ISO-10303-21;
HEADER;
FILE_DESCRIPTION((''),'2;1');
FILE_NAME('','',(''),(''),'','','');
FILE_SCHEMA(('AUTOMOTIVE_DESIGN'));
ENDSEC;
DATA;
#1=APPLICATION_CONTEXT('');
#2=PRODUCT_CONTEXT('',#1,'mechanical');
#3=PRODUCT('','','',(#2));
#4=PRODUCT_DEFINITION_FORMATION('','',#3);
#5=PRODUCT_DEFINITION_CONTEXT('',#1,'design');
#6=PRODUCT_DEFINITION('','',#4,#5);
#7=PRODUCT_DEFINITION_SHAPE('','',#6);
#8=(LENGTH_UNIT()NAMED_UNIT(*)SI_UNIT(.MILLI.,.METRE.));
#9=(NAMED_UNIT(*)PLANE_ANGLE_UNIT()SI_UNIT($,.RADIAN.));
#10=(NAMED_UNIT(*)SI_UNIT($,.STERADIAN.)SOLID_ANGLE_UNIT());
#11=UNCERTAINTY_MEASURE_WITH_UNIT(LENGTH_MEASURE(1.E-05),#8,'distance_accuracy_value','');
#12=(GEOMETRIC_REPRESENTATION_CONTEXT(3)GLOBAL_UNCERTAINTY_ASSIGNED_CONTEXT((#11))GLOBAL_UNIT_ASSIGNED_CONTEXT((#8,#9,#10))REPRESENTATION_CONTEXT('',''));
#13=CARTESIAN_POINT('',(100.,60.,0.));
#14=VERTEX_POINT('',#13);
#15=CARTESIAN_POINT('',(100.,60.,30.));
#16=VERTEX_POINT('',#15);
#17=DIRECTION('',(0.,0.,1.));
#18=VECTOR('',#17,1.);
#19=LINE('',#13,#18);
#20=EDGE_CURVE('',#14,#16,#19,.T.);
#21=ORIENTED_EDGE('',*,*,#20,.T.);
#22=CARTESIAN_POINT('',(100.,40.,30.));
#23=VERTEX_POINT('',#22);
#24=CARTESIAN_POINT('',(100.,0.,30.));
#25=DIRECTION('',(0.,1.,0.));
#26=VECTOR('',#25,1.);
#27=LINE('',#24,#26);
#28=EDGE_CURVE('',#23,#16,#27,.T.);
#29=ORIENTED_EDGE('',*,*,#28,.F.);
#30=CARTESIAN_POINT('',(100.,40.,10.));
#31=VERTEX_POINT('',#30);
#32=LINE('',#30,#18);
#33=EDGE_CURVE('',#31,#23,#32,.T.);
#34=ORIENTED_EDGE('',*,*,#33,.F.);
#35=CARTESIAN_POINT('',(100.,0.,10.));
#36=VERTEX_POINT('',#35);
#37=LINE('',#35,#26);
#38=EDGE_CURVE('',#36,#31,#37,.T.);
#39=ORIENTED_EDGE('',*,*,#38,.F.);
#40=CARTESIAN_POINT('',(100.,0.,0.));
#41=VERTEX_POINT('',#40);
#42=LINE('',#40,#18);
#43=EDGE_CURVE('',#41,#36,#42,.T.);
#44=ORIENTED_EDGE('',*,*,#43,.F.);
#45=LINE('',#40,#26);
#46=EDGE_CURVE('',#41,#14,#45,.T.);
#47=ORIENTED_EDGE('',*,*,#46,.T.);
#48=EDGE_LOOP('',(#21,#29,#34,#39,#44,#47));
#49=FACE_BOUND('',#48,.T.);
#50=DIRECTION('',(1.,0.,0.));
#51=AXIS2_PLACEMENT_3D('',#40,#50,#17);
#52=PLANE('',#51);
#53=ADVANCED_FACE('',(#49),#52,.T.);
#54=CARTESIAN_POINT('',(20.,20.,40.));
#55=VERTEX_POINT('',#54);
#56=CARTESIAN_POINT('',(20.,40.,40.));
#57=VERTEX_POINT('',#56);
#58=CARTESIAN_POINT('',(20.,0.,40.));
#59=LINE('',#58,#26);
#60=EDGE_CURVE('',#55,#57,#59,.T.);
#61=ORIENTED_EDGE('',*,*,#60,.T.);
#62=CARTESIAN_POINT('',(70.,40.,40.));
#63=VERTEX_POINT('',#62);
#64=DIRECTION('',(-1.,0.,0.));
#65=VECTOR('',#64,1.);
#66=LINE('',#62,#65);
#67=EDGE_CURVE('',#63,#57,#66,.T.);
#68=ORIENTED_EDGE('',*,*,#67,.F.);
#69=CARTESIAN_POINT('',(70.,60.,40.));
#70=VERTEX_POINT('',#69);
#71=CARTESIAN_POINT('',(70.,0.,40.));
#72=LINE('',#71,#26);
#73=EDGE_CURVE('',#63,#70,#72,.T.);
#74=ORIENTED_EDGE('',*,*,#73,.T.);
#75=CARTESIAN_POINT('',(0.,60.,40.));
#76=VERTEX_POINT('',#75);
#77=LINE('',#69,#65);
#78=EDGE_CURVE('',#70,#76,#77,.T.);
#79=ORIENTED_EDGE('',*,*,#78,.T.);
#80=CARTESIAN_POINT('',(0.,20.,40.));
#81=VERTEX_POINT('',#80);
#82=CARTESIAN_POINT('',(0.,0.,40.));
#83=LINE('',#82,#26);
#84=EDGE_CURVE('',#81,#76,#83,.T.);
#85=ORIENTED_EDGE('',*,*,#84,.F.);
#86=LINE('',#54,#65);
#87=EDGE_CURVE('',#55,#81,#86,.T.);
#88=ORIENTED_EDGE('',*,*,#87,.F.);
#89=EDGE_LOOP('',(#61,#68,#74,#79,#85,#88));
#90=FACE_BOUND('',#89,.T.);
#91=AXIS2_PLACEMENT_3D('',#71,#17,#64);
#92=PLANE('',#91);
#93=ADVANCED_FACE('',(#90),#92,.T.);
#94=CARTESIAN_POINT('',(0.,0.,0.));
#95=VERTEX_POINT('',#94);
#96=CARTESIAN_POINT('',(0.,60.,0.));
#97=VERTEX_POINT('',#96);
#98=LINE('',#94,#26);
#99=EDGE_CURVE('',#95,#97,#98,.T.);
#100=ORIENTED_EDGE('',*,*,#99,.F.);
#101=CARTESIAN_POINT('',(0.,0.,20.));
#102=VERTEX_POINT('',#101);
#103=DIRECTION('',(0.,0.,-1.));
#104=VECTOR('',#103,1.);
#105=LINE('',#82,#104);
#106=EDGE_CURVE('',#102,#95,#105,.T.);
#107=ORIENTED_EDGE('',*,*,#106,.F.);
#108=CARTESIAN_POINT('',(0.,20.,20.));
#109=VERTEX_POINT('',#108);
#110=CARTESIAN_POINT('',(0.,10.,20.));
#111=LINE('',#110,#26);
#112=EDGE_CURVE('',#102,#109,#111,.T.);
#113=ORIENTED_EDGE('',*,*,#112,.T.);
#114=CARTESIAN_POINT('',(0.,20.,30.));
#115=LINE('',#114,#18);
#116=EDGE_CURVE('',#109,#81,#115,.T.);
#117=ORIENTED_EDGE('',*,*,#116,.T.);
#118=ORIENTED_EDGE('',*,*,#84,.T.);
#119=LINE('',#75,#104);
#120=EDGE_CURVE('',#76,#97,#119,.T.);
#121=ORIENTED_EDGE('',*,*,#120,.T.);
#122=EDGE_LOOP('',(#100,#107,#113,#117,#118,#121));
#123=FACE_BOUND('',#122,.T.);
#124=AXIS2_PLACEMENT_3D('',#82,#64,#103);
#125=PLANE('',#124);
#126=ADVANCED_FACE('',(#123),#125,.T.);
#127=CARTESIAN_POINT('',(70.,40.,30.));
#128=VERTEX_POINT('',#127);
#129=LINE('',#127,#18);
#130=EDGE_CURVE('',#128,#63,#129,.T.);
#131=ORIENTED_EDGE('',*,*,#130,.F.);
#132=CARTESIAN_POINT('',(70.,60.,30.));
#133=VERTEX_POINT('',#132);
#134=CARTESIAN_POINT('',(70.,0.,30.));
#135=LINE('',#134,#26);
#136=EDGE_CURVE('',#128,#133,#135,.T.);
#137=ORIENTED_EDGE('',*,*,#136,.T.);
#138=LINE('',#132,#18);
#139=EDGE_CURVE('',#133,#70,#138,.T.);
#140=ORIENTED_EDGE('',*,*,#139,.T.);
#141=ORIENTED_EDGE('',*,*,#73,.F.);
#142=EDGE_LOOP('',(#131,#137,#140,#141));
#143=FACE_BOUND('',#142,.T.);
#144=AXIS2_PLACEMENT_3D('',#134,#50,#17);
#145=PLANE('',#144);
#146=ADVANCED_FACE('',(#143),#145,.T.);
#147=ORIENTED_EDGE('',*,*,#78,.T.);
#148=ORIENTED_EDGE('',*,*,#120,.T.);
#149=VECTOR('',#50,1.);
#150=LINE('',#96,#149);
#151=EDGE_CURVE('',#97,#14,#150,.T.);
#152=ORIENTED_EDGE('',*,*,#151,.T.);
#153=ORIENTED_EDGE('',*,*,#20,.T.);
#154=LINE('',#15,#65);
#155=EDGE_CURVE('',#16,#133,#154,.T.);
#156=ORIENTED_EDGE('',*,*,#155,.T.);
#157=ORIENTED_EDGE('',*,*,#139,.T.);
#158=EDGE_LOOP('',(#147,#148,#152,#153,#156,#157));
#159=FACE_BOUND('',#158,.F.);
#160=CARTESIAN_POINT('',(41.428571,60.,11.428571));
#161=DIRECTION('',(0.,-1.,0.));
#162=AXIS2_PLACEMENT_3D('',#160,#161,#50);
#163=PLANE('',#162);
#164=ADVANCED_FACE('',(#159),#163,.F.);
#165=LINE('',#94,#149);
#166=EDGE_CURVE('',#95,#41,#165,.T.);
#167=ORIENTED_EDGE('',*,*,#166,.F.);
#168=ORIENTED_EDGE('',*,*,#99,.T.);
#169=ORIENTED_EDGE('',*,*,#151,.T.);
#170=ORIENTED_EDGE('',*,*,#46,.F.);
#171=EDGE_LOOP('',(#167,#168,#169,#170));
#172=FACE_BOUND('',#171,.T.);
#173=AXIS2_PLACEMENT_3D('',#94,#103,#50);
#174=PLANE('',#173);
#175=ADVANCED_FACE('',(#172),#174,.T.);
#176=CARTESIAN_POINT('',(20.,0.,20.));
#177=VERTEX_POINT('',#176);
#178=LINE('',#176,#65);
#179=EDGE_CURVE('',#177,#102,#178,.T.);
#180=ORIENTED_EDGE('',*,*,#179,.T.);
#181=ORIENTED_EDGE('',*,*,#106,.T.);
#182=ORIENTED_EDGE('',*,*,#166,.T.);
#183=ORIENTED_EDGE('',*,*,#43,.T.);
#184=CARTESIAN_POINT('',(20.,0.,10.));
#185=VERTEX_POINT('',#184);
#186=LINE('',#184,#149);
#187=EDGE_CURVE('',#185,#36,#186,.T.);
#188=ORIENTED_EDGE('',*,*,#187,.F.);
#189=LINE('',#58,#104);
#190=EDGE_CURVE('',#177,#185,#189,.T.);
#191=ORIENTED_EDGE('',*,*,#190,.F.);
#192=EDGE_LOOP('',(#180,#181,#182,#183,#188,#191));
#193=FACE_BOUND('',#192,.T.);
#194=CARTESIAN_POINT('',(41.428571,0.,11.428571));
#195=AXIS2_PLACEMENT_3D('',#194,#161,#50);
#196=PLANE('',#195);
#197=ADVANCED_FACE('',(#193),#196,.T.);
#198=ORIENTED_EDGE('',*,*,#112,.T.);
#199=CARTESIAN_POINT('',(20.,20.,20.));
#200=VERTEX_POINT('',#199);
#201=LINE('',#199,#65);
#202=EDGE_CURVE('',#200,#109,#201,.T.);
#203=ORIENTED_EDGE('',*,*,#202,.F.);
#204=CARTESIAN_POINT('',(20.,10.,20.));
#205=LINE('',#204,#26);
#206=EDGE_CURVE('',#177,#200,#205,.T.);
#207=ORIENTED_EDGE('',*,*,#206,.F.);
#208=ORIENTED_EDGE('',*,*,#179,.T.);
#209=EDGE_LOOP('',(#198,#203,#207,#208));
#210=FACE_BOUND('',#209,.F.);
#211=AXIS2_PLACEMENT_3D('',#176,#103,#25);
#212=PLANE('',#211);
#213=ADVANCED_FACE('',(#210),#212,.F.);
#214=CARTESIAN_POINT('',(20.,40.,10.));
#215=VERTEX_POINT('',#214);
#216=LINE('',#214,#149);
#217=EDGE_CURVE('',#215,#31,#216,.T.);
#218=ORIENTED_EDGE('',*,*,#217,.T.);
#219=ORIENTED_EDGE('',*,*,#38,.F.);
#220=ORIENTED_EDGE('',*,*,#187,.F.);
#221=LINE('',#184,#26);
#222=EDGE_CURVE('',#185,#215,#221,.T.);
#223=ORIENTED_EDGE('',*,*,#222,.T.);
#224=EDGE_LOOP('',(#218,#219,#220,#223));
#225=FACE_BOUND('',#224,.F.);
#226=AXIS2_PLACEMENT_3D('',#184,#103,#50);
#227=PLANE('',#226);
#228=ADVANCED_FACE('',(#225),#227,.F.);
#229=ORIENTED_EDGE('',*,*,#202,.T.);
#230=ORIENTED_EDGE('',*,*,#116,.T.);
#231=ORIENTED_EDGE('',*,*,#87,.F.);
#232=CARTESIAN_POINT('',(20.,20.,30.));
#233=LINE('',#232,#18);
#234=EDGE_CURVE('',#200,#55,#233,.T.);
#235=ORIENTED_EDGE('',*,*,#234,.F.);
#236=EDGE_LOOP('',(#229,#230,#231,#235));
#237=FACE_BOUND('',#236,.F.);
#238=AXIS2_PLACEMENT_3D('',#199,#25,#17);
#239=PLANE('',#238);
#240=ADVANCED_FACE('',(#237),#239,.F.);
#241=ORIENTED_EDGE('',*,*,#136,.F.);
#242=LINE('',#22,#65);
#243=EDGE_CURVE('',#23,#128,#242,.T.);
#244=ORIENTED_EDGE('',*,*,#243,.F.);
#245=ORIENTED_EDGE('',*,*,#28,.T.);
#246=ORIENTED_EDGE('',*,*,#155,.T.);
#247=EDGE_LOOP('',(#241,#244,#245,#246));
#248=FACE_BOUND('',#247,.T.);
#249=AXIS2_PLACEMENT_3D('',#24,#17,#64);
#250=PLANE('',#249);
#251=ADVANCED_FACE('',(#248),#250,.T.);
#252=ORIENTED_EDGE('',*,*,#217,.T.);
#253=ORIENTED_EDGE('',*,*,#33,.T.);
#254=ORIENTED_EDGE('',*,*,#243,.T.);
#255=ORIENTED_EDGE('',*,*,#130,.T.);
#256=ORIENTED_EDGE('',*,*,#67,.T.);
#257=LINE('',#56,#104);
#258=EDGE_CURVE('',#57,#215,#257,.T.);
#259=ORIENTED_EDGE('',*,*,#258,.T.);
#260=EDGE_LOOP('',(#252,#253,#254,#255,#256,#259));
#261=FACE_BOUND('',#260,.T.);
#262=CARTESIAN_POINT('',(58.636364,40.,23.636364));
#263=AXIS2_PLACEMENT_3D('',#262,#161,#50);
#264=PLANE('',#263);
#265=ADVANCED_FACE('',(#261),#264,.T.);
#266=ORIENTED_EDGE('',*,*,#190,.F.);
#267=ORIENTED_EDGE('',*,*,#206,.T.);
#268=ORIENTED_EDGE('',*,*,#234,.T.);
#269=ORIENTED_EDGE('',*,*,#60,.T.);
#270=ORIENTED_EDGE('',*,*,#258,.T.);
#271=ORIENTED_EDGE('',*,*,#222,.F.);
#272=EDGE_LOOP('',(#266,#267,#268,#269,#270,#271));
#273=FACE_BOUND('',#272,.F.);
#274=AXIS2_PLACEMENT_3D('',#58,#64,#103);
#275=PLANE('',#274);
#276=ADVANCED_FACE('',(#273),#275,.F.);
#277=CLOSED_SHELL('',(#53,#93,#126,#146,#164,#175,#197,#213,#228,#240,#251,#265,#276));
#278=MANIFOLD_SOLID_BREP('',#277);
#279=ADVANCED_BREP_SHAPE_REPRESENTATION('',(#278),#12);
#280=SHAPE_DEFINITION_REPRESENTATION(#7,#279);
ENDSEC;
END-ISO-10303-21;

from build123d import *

# Parameters (mm, degrees)
F1_DEPTH = 60
F3_DEPTH = 40
F4_W     = 20
F4_H     = 20
F5_DEPTH = 20


with BuildPart() as f1:
    # F0 (on Front) → F1 (new body)
    with BuildSketch(Plane.XZ):
        Polygon((0, 40), (0, 0), (100, 0), (100, 10), (20, 10), (20, 40), align=None)
        Polygon((70, 40), (20, 40), (20, 10), (100, 10), (100, 30), (70, 30), align=None)
    extrude(amount=-F1_DEPTH)

    # F2 (on face) → F3 (cut)
    with BuildSketch(Plane.XZ):
        Polygon((70, 40), (20, 40), (20, 10), (100, 10), (100, 30), (70, 30), align=None)
    extrude(amount=-F3_DEPTH, mode=Mode.SUBTRACT)

    # F4 (on face) → F5 (cut, through all)
    with BuildSketch(Plane.YZ.offset(20)):
        with Locations((10, 30)):
            Rectangle(F4_W, F4_H)
    extrude(amount=-F5_DEPTH, mode=Mode.SUBTRACT)


solid = f1.part
